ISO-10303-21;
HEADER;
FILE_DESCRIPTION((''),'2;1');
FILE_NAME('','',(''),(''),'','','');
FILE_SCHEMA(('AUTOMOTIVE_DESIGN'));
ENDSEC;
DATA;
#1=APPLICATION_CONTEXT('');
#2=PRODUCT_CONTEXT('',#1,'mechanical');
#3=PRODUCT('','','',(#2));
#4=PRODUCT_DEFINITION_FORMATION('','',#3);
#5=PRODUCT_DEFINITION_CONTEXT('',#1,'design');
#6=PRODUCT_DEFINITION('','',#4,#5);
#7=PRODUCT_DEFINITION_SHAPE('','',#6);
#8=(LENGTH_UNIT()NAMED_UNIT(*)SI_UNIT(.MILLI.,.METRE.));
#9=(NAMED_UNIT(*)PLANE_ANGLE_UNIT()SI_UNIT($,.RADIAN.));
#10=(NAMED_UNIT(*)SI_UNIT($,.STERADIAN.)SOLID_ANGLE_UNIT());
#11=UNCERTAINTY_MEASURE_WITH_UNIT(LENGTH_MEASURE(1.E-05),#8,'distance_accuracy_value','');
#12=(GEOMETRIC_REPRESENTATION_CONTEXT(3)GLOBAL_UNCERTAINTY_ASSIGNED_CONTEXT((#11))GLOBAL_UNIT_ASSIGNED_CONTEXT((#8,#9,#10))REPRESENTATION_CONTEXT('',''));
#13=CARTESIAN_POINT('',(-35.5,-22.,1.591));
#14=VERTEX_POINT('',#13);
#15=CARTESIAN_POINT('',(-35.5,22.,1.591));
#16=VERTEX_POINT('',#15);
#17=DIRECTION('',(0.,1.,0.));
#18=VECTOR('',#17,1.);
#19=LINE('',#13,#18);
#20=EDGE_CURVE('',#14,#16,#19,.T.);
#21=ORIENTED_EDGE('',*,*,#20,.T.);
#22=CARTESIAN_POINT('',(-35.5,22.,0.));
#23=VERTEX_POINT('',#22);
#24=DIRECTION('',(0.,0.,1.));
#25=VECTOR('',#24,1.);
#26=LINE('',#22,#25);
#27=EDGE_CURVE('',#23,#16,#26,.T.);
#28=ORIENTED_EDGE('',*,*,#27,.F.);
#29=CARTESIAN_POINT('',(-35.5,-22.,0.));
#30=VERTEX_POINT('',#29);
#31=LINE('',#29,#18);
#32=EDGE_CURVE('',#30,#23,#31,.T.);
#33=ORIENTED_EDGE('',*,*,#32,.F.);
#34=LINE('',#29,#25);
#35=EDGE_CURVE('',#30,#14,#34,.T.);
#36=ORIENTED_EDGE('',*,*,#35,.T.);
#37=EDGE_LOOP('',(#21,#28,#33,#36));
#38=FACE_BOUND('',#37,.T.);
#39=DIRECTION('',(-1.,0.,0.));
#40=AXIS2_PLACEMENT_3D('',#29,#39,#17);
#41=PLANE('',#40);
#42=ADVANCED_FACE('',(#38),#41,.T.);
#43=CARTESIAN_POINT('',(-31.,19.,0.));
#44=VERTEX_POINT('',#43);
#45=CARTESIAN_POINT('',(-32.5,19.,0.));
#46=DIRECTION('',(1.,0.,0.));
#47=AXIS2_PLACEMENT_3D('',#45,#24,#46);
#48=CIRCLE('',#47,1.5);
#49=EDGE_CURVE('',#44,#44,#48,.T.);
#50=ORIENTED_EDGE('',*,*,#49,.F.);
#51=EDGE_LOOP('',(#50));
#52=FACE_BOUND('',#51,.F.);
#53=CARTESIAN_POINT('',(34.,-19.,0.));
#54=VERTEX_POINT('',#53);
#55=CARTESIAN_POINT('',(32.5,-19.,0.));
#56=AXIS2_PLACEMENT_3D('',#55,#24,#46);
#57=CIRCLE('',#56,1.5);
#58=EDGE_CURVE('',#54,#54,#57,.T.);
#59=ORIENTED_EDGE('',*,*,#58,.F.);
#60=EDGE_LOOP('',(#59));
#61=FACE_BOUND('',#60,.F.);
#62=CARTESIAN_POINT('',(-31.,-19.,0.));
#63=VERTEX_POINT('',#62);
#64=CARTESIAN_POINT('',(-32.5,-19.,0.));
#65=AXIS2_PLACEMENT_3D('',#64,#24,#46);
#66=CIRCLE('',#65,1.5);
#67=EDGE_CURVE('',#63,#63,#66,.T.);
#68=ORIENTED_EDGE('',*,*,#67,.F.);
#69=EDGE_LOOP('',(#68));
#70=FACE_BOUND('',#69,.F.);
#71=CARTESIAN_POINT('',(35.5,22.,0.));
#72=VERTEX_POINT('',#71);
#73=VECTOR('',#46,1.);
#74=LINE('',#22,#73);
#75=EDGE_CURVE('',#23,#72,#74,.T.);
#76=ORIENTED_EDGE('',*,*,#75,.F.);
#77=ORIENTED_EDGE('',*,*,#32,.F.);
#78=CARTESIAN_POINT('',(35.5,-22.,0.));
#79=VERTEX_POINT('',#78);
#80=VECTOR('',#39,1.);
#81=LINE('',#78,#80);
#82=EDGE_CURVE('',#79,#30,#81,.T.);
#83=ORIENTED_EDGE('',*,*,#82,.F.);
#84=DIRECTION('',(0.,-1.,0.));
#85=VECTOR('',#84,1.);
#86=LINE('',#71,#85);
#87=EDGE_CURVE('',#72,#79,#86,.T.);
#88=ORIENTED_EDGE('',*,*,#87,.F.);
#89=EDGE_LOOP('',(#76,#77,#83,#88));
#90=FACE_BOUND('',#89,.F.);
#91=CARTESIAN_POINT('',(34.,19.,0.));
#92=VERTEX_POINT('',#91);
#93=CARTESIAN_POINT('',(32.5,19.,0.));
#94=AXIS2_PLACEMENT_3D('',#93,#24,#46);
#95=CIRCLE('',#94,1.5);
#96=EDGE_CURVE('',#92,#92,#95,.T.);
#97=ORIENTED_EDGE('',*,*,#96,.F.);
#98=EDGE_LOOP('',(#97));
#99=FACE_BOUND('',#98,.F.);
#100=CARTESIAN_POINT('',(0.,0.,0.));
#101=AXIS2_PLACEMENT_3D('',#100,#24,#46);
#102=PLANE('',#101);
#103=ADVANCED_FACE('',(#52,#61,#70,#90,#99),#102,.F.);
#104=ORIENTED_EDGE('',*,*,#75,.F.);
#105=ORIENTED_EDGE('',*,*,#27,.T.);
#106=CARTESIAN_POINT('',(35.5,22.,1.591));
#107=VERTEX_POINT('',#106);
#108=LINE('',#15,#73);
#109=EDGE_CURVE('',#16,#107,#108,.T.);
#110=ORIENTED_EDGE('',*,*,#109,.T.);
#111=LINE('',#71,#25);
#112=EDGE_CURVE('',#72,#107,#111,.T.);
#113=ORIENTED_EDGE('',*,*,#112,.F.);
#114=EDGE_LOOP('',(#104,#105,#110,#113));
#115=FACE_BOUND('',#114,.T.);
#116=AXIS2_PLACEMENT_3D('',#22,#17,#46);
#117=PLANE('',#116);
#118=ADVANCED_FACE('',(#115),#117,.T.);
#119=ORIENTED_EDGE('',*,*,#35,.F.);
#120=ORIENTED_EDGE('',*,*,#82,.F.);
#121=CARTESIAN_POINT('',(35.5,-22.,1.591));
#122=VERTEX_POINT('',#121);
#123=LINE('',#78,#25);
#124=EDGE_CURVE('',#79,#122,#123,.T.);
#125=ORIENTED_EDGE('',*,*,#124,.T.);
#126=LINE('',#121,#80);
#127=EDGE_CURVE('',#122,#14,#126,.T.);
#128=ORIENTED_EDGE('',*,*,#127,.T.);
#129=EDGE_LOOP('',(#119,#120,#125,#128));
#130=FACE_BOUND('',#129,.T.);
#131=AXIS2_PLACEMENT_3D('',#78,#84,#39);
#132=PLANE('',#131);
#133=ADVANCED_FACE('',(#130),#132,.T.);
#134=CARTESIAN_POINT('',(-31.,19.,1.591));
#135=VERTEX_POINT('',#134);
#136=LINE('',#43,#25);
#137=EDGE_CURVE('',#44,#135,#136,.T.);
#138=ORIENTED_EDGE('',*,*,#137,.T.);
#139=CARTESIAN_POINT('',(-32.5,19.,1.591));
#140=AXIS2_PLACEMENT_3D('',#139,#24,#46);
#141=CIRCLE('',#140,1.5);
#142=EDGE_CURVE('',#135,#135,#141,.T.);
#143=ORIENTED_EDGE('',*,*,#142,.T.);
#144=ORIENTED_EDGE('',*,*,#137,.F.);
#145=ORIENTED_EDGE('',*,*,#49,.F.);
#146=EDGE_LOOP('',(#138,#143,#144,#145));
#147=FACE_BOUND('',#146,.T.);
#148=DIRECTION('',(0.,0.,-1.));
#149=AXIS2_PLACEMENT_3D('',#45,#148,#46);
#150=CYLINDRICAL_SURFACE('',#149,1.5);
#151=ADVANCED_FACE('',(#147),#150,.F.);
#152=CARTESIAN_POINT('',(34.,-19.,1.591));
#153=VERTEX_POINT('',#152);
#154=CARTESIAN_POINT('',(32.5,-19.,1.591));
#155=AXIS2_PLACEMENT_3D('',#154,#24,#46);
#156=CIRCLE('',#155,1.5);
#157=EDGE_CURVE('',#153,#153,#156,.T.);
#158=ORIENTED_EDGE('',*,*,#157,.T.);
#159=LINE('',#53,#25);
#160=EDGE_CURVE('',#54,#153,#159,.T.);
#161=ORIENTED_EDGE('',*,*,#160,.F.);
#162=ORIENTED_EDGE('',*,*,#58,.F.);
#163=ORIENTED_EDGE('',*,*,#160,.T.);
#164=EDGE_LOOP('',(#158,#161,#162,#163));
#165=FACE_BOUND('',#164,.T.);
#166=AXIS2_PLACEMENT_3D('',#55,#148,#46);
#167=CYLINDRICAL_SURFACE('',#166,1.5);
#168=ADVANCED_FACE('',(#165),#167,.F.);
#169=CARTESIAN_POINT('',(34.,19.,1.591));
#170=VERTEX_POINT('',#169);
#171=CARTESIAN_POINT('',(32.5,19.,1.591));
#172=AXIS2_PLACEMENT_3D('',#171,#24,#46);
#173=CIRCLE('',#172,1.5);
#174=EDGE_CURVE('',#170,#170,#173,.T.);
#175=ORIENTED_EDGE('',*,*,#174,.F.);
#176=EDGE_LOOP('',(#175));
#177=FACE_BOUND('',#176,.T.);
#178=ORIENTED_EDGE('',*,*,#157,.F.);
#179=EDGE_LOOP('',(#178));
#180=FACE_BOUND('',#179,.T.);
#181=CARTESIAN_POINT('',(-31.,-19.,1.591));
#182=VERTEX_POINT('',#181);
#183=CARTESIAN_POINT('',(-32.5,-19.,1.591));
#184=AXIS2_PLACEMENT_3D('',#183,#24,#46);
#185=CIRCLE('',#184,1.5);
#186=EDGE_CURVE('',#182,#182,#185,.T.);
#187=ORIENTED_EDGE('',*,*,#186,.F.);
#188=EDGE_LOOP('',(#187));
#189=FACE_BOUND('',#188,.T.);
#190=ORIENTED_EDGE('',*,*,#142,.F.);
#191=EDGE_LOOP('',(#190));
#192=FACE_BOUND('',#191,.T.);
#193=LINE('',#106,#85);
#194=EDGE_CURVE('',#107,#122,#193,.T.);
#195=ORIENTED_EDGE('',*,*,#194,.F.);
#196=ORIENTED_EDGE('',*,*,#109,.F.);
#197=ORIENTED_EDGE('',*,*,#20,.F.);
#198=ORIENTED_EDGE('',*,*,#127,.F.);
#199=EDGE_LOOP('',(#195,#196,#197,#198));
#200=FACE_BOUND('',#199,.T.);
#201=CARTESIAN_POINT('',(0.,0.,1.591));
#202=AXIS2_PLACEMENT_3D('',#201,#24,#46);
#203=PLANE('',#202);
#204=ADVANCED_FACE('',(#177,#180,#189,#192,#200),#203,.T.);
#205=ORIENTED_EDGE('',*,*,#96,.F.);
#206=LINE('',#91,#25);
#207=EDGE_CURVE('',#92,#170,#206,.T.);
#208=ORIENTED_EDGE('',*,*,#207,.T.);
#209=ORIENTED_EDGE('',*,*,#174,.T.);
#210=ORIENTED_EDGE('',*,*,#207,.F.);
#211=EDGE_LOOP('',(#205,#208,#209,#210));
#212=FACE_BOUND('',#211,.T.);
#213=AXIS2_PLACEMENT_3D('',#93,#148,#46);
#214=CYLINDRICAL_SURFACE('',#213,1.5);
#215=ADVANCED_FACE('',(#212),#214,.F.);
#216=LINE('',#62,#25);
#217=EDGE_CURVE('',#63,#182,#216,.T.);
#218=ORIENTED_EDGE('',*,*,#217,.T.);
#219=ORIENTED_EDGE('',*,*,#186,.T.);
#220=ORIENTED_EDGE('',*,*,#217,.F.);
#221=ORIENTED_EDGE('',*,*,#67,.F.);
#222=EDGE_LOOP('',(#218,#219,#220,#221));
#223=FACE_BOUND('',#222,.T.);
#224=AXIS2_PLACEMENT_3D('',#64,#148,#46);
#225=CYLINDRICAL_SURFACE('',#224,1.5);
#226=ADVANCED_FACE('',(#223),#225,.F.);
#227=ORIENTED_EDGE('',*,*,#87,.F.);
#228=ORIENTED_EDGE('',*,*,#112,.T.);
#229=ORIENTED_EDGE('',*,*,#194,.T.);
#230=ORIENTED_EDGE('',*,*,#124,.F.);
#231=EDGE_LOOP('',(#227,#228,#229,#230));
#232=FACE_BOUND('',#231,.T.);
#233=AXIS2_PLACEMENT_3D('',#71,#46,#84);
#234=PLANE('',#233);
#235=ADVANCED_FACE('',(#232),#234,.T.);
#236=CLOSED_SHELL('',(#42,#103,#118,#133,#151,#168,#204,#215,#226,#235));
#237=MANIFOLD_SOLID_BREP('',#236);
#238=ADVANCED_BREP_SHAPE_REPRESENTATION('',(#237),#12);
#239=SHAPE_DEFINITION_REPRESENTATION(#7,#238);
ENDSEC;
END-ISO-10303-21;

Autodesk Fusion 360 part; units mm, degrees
sketch "Sketch1" plane through (0, 0, 0) normal (0, 0, 1) x (1, 0, 0)
  line L0 (-35.5, 22) -> (35.5, 22)
  line L1 (35.5, 22) -> (35.5, -22)
  line L2 (35.5, -22) -> (-35.5, -22)
  line L3 (-35.5, -22) -> (-35.5, 22)
  line L4 (0, 0) -> (-35.5, 0) construction
  line L5 (0, 0) -> (0, 22) construction
  circle A0 centre (-32.5, 19) radius 1.5
  circle A1 centre (32.5, 19) radius 1.5
  circle A2 centre (-32.5, -19) radius 1.5
  circle A3 centre (32.5, -19) radius 1.5
  point P0 (-35.5, 0)
  point P1 (0, 22)
  dimension "d1" = 71
  dimension "d2" = 44
  dimension "d3" = 3
  dimension "d4" = 3
  dimension "d5" = 3
  dimension "d8" = 65
  dimension "d9" = -38
extrude "Extrude1" add sketch "Sketch1" along normal blind 1.591
